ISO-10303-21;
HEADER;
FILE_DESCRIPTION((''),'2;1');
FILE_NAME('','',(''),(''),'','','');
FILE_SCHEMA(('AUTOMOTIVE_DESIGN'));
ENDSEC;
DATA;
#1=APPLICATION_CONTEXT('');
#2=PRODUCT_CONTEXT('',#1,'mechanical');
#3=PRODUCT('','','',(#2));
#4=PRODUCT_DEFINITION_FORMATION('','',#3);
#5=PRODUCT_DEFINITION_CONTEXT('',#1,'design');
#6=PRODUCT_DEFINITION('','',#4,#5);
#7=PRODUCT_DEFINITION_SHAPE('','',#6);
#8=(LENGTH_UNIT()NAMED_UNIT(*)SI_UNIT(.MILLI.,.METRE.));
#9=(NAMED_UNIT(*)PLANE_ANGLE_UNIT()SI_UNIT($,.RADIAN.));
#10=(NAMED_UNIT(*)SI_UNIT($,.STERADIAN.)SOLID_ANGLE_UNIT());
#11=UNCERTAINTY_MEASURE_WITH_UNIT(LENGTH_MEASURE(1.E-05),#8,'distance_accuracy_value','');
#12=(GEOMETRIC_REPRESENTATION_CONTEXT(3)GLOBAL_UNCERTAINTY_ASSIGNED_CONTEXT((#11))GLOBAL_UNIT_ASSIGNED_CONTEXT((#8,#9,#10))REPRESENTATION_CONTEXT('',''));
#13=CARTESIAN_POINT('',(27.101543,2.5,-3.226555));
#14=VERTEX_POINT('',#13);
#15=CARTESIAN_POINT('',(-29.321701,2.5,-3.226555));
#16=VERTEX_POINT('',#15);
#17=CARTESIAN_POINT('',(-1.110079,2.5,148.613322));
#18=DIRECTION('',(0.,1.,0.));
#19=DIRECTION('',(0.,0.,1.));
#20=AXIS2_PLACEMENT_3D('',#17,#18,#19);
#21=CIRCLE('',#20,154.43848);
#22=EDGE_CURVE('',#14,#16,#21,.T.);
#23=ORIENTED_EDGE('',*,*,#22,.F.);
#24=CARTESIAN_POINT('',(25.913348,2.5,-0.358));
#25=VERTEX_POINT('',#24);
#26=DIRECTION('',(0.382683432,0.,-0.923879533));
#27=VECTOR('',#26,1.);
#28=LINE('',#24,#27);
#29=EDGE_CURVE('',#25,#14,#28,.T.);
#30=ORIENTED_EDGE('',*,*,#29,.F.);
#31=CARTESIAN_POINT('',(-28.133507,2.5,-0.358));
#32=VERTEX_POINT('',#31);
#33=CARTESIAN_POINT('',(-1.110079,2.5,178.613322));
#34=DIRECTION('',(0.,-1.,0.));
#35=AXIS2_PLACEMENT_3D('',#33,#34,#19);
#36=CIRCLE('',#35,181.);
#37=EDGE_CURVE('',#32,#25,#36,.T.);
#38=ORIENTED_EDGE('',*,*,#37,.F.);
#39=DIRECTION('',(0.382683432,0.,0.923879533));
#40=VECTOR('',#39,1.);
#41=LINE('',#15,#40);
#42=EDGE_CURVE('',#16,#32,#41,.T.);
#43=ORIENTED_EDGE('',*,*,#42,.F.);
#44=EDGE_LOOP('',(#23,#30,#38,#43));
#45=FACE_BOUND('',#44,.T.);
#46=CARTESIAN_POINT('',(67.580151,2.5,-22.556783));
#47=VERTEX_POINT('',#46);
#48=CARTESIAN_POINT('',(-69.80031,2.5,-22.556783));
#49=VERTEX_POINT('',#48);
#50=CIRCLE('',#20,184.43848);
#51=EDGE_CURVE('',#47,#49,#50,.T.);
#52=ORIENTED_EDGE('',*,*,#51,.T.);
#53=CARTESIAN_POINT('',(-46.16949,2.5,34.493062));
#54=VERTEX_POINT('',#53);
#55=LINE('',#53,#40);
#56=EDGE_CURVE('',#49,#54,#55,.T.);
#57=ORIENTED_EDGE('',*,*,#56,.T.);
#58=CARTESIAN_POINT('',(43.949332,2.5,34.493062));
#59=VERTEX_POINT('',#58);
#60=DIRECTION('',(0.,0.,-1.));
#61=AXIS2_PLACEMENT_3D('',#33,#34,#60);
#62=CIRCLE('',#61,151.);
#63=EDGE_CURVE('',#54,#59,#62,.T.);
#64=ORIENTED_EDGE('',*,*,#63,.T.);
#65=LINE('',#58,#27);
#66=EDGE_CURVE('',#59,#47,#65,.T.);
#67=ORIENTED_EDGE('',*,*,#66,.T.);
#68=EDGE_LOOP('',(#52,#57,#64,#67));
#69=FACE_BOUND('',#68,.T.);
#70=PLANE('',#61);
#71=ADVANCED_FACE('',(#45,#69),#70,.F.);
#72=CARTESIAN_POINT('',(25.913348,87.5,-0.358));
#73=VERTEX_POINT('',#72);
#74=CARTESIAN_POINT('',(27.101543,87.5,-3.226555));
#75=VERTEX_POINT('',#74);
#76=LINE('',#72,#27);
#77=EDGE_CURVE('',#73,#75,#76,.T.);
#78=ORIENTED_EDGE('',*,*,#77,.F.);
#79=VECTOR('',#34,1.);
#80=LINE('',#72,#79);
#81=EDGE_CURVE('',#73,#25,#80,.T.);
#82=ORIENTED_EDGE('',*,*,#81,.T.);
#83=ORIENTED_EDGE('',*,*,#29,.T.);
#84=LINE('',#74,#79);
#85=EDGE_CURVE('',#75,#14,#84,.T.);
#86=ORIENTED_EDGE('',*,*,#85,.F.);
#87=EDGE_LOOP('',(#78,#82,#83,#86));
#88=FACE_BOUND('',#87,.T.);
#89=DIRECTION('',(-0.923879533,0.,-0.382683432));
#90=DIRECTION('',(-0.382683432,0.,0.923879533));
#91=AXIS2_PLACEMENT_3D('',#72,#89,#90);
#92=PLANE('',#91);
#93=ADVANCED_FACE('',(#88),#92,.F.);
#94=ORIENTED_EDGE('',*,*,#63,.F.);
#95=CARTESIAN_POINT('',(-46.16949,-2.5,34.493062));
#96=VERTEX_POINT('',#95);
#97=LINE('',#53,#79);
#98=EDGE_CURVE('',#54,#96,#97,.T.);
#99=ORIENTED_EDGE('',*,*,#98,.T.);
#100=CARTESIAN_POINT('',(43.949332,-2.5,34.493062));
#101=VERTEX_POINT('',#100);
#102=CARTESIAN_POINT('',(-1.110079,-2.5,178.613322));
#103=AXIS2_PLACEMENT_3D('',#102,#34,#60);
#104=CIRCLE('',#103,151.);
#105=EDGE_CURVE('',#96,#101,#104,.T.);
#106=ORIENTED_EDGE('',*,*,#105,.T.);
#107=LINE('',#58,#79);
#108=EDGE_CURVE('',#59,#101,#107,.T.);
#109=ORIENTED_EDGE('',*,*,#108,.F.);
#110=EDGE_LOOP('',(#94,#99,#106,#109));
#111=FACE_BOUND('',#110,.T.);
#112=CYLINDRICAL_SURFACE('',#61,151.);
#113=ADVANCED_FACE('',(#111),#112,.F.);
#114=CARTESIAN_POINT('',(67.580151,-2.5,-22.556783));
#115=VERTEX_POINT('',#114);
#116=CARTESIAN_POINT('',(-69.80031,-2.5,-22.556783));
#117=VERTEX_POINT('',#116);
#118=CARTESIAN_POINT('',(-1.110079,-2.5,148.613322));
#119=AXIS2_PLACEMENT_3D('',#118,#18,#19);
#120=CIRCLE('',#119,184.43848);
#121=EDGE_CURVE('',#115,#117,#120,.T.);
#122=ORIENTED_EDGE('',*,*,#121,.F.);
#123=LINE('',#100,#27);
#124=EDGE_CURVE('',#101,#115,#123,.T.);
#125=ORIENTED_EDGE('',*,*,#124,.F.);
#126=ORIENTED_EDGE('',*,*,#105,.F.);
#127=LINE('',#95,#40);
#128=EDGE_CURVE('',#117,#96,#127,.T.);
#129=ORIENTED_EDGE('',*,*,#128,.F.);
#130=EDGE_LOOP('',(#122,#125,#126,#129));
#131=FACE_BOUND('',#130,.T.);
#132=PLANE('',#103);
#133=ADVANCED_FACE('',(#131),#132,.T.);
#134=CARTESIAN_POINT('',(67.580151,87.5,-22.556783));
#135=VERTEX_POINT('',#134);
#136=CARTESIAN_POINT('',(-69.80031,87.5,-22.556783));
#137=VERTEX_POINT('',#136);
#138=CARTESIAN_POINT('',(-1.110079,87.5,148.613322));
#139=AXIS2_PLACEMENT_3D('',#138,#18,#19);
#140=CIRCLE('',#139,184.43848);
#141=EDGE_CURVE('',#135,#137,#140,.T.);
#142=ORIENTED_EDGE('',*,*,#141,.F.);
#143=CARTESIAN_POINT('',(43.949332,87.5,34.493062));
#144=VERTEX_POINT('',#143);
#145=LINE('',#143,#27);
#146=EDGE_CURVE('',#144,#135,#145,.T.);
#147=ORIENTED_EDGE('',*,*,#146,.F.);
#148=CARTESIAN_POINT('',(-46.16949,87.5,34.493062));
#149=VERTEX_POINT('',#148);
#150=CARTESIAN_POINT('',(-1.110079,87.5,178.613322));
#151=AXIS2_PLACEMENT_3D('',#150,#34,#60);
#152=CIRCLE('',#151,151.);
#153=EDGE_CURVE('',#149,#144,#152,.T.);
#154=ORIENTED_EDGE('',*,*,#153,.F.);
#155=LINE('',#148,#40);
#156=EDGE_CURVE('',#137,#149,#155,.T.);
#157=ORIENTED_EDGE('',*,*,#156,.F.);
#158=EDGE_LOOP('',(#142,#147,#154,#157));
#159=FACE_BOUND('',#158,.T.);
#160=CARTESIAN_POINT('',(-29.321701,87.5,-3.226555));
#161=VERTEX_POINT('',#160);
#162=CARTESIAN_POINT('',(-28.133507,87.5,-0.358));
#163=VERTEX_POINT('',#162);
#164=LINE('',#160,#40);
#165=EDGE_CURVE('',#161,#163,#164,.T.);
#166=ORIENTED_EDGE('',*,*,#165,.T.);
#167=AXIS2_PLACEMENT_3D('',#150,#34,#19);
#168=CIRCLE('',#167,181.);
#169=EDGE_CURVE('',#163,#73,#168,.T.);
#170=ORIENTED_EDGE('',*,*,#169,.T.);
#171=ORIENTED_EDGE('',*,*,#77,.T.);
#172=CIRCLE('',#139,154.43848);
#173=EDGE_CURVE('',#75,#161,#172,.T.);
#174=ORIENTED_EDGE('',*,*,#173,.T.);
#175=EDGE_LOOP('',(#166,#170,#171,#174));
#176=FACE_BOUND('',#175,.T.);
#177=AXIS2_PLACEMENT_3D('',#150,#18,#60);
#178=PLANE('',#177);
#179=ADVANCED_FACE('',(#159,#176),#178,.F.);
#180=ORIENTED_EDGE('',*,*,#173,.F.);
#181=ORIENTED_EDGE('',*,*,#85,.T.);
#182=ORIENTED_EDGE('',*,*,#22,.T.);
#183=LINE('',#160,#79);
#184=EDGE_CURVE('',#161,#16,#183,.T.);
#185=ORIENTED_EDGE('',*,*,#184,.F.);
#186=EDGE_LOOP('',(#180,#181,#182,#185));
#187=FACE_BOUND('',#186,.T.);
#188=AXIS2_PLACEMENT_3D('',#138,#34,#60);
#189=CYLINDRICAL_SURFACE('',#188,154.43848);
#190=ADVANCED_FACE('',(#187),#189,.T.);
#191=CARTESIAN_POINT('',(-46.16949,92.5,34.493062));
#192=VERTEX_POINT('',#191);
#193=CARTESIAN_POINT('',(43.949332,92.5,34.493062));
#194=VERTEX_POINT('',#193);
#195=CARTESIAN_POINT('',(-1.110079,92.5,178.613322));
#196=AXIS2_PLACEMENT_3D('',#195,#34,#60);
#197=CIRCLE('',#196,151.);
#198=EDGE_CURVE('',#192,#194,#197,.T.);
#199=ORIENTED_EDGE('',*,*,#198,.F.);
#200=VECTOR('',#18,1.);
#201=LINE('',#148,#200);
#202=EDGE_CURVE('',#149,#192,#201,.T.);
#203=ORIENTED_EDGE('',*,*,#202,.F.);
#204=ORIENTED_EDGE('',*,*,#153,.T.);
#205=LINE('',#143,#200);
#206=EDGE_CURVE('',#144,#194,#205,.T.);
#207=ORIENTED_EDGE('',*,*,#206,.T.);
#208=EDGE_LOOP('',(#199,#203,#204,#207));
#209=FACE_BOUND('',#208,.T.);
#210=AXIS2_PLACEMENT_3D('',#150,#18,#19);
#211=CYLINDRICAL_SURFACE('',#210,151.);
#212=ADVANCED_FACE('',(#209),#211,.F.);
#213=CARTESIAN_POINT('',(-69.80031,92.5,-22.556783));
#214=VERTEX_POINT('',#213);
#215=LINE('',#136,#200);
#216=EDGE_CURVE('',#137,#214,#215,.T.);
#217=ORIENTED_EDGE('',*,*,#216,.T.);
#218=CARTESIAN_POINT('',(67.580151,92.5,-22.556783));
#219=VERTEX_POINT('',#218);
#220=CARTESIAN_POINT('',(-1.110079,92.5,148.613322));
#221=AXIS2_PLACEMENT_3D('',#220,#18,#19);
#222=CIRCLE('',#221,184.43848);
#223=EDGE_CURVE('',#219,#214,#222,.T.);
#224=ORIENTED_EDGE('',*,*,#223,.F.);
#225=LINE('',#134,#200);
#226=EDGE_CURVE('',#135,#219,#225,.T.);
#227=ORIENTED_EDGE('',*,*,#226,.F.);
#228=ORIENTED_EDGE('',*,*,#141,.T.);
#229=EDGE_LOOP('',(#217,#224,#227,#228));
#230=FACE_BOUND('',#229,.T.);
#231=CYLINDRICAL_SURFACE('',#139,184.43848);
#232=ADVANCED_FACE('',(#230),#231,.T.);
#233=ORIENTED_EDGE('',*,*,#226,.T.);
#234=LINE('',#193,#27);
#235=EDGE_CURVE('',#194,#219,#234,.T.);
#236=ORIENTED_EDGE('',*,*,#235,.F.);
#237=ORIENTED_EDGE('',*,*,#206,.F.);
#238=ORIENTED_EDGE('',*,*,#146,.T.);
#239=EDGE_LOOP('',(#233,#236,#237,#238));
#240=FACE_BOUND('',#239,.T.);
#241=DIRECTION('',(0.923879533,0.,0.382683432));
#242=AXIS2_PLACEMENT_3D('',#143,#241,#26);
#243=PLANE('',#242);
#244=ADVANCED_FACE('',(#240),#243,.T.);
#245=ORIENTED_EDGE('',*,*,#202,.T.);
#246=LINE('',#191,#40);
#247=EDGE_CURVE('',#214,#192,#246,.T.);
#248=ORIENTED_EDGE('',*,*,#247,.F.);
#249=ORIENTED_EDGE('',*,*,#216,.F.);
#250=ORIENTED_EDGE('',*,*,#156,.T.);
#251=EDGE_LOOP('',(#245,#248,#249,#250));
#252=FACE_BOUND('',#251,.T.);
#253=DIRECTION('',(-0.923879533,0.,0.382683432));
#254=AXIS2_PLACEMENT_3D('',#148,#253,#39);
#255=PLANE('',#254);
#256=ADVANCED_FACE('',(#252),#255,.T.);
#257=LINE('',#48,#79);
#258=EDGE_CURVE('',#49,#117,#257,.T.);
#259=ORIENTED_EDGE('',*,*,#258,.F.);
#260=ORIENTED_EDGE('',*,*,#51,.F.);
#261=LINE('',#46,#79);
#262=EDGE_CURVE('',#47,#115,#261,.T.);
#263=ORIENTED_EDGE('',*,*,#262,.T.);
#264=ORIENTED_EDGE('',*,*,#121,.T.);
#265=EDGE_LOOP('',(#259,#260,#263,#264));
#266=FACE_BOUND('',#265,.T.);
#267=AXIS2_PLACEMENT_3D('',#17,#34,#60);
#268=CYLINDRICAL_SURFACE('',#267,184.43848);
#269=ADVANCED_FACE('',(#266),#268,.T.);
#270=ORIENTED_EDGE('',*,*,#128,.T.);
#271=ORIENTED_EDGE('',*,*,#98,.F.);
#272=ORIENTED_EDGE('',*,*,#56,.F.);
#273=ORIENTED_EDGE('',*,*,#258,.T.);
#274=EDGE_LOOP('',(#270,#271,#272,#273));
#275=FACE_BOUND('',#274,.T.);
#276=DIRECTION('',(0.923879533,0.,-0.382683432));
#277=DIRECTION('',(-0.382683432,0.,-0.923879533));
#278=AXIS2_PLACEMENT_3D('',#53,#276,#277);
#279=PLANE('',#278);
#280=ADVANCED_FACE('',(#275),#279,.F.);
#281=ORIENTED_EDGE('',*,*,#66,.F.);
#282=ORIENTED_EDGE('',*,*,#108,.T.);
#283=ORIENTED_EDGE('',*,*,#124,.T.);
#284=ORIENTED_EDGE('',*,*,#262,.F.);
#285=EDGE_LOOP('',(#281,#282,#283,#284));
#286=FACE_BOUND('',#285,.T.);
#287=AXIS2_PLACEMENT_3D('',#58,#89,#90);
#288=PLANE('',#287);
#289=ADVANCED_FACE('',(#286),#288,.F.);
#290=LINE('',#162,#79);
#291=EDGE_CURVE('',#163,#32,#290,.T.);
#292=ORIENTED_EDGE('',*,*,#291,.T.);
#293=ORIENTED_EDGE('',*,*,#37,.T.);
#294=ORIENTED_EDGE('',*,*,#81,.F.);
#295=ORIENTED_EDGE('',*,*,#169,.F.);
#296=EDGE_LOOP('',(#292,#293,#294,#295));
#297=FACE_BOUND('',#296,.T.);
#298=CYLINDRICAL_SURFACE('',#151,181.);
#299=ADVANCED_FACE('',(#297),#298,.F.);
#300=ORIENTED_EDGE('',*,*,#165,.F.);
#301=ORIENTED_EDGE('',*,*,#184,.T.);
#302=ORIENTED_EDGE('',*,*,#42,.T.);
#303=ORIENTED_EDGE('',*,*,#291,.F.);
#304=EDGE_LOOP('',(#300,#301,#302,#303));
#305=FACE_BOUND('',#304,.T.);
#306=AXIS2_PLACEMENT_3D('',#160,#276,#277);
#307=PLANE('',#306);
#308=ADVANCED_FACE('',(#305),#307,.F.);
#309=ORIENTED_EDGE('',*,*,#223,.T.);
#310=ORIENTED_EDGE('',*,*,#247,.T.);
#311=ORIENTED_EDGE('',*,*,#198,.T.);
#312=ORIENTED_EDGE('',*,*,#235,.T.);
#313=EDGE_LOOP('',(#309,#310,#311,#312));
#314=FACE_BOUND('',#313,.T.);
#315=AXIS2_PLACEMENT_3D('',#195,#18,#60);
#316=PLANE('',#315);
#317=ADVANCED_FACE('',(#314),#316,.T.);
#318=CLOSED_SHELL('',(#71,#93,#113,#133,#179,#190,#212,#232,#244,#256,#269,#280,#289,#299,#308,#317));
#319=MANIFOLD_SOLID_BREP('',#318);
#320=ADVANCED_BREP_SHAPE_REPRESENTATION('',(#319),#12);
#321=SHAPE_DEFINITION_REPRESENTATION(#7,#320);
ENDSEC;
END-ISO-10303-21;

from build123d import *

# Parameters (mm, degrees)
BOSS_EXTRUDE1_DEPTH = 2.5
BOSS_EXTRUDE2_DEPTH = 85


with BuildPart() as part:
    # Sketch1 → Boss-Extrude1 (new, symmetric)
    with BuildSketch(Plane(origin=(0, 0, 0), x_dir=(1, 0, 0), z_dir=(0, 1, 0))):
        with BuildLine():
            Line((-46.169490158, -34.493062002), (-69.80030965, 22.556782905))
            ThreePointArc((-69.80030965, 22.556782905), (-1.110079213, 35.825157058), (67.580151223, 22.556782905))
            Line((67.580151223, 22.556782905), (43.949331732, -34.493062002))
            ThreePointArc((43.949331732, -34.493062002), (-1.110079213, -27.613322498), (-46.169490158, -34.493062002))
        make_face()
    boss_extrude1 = extrude(amount=BOSS_EXTRUDE1_DEPTH, both=True)

    # Sketch2 → Boss-Extrude2 (add)
    with BuildSketch(Plane(origin=(0, 2.5, 0), x_dir=(1, 0, 0), z_dir=(0, 1, 0))):
        with BuildLine():
            Line((-29.32170103, 3.22655488), (-28.133506793, 0.358000238))
            ThreePointArc((-28.133506793, 0.358000238), (-1.110079213, 2.386677502), (25.913348366, 0.358000238))
            Line((25.913348366, 0.358000238), (27.101542603, 3.22655488))
            ThreePointArc((27.101542603, 3.22655488), (-1.110079213, 5.825157058), (-29.32170103, 3.22655488))
        make_face()
    extrude(amount=BOSS_EXTRUDE2_DEPTH)

    # Mirror1: Boss-Extrude1 across plane
    add(boss_extrude1.mirror(Plane.ZX.offset(45)))


solid = part.part
